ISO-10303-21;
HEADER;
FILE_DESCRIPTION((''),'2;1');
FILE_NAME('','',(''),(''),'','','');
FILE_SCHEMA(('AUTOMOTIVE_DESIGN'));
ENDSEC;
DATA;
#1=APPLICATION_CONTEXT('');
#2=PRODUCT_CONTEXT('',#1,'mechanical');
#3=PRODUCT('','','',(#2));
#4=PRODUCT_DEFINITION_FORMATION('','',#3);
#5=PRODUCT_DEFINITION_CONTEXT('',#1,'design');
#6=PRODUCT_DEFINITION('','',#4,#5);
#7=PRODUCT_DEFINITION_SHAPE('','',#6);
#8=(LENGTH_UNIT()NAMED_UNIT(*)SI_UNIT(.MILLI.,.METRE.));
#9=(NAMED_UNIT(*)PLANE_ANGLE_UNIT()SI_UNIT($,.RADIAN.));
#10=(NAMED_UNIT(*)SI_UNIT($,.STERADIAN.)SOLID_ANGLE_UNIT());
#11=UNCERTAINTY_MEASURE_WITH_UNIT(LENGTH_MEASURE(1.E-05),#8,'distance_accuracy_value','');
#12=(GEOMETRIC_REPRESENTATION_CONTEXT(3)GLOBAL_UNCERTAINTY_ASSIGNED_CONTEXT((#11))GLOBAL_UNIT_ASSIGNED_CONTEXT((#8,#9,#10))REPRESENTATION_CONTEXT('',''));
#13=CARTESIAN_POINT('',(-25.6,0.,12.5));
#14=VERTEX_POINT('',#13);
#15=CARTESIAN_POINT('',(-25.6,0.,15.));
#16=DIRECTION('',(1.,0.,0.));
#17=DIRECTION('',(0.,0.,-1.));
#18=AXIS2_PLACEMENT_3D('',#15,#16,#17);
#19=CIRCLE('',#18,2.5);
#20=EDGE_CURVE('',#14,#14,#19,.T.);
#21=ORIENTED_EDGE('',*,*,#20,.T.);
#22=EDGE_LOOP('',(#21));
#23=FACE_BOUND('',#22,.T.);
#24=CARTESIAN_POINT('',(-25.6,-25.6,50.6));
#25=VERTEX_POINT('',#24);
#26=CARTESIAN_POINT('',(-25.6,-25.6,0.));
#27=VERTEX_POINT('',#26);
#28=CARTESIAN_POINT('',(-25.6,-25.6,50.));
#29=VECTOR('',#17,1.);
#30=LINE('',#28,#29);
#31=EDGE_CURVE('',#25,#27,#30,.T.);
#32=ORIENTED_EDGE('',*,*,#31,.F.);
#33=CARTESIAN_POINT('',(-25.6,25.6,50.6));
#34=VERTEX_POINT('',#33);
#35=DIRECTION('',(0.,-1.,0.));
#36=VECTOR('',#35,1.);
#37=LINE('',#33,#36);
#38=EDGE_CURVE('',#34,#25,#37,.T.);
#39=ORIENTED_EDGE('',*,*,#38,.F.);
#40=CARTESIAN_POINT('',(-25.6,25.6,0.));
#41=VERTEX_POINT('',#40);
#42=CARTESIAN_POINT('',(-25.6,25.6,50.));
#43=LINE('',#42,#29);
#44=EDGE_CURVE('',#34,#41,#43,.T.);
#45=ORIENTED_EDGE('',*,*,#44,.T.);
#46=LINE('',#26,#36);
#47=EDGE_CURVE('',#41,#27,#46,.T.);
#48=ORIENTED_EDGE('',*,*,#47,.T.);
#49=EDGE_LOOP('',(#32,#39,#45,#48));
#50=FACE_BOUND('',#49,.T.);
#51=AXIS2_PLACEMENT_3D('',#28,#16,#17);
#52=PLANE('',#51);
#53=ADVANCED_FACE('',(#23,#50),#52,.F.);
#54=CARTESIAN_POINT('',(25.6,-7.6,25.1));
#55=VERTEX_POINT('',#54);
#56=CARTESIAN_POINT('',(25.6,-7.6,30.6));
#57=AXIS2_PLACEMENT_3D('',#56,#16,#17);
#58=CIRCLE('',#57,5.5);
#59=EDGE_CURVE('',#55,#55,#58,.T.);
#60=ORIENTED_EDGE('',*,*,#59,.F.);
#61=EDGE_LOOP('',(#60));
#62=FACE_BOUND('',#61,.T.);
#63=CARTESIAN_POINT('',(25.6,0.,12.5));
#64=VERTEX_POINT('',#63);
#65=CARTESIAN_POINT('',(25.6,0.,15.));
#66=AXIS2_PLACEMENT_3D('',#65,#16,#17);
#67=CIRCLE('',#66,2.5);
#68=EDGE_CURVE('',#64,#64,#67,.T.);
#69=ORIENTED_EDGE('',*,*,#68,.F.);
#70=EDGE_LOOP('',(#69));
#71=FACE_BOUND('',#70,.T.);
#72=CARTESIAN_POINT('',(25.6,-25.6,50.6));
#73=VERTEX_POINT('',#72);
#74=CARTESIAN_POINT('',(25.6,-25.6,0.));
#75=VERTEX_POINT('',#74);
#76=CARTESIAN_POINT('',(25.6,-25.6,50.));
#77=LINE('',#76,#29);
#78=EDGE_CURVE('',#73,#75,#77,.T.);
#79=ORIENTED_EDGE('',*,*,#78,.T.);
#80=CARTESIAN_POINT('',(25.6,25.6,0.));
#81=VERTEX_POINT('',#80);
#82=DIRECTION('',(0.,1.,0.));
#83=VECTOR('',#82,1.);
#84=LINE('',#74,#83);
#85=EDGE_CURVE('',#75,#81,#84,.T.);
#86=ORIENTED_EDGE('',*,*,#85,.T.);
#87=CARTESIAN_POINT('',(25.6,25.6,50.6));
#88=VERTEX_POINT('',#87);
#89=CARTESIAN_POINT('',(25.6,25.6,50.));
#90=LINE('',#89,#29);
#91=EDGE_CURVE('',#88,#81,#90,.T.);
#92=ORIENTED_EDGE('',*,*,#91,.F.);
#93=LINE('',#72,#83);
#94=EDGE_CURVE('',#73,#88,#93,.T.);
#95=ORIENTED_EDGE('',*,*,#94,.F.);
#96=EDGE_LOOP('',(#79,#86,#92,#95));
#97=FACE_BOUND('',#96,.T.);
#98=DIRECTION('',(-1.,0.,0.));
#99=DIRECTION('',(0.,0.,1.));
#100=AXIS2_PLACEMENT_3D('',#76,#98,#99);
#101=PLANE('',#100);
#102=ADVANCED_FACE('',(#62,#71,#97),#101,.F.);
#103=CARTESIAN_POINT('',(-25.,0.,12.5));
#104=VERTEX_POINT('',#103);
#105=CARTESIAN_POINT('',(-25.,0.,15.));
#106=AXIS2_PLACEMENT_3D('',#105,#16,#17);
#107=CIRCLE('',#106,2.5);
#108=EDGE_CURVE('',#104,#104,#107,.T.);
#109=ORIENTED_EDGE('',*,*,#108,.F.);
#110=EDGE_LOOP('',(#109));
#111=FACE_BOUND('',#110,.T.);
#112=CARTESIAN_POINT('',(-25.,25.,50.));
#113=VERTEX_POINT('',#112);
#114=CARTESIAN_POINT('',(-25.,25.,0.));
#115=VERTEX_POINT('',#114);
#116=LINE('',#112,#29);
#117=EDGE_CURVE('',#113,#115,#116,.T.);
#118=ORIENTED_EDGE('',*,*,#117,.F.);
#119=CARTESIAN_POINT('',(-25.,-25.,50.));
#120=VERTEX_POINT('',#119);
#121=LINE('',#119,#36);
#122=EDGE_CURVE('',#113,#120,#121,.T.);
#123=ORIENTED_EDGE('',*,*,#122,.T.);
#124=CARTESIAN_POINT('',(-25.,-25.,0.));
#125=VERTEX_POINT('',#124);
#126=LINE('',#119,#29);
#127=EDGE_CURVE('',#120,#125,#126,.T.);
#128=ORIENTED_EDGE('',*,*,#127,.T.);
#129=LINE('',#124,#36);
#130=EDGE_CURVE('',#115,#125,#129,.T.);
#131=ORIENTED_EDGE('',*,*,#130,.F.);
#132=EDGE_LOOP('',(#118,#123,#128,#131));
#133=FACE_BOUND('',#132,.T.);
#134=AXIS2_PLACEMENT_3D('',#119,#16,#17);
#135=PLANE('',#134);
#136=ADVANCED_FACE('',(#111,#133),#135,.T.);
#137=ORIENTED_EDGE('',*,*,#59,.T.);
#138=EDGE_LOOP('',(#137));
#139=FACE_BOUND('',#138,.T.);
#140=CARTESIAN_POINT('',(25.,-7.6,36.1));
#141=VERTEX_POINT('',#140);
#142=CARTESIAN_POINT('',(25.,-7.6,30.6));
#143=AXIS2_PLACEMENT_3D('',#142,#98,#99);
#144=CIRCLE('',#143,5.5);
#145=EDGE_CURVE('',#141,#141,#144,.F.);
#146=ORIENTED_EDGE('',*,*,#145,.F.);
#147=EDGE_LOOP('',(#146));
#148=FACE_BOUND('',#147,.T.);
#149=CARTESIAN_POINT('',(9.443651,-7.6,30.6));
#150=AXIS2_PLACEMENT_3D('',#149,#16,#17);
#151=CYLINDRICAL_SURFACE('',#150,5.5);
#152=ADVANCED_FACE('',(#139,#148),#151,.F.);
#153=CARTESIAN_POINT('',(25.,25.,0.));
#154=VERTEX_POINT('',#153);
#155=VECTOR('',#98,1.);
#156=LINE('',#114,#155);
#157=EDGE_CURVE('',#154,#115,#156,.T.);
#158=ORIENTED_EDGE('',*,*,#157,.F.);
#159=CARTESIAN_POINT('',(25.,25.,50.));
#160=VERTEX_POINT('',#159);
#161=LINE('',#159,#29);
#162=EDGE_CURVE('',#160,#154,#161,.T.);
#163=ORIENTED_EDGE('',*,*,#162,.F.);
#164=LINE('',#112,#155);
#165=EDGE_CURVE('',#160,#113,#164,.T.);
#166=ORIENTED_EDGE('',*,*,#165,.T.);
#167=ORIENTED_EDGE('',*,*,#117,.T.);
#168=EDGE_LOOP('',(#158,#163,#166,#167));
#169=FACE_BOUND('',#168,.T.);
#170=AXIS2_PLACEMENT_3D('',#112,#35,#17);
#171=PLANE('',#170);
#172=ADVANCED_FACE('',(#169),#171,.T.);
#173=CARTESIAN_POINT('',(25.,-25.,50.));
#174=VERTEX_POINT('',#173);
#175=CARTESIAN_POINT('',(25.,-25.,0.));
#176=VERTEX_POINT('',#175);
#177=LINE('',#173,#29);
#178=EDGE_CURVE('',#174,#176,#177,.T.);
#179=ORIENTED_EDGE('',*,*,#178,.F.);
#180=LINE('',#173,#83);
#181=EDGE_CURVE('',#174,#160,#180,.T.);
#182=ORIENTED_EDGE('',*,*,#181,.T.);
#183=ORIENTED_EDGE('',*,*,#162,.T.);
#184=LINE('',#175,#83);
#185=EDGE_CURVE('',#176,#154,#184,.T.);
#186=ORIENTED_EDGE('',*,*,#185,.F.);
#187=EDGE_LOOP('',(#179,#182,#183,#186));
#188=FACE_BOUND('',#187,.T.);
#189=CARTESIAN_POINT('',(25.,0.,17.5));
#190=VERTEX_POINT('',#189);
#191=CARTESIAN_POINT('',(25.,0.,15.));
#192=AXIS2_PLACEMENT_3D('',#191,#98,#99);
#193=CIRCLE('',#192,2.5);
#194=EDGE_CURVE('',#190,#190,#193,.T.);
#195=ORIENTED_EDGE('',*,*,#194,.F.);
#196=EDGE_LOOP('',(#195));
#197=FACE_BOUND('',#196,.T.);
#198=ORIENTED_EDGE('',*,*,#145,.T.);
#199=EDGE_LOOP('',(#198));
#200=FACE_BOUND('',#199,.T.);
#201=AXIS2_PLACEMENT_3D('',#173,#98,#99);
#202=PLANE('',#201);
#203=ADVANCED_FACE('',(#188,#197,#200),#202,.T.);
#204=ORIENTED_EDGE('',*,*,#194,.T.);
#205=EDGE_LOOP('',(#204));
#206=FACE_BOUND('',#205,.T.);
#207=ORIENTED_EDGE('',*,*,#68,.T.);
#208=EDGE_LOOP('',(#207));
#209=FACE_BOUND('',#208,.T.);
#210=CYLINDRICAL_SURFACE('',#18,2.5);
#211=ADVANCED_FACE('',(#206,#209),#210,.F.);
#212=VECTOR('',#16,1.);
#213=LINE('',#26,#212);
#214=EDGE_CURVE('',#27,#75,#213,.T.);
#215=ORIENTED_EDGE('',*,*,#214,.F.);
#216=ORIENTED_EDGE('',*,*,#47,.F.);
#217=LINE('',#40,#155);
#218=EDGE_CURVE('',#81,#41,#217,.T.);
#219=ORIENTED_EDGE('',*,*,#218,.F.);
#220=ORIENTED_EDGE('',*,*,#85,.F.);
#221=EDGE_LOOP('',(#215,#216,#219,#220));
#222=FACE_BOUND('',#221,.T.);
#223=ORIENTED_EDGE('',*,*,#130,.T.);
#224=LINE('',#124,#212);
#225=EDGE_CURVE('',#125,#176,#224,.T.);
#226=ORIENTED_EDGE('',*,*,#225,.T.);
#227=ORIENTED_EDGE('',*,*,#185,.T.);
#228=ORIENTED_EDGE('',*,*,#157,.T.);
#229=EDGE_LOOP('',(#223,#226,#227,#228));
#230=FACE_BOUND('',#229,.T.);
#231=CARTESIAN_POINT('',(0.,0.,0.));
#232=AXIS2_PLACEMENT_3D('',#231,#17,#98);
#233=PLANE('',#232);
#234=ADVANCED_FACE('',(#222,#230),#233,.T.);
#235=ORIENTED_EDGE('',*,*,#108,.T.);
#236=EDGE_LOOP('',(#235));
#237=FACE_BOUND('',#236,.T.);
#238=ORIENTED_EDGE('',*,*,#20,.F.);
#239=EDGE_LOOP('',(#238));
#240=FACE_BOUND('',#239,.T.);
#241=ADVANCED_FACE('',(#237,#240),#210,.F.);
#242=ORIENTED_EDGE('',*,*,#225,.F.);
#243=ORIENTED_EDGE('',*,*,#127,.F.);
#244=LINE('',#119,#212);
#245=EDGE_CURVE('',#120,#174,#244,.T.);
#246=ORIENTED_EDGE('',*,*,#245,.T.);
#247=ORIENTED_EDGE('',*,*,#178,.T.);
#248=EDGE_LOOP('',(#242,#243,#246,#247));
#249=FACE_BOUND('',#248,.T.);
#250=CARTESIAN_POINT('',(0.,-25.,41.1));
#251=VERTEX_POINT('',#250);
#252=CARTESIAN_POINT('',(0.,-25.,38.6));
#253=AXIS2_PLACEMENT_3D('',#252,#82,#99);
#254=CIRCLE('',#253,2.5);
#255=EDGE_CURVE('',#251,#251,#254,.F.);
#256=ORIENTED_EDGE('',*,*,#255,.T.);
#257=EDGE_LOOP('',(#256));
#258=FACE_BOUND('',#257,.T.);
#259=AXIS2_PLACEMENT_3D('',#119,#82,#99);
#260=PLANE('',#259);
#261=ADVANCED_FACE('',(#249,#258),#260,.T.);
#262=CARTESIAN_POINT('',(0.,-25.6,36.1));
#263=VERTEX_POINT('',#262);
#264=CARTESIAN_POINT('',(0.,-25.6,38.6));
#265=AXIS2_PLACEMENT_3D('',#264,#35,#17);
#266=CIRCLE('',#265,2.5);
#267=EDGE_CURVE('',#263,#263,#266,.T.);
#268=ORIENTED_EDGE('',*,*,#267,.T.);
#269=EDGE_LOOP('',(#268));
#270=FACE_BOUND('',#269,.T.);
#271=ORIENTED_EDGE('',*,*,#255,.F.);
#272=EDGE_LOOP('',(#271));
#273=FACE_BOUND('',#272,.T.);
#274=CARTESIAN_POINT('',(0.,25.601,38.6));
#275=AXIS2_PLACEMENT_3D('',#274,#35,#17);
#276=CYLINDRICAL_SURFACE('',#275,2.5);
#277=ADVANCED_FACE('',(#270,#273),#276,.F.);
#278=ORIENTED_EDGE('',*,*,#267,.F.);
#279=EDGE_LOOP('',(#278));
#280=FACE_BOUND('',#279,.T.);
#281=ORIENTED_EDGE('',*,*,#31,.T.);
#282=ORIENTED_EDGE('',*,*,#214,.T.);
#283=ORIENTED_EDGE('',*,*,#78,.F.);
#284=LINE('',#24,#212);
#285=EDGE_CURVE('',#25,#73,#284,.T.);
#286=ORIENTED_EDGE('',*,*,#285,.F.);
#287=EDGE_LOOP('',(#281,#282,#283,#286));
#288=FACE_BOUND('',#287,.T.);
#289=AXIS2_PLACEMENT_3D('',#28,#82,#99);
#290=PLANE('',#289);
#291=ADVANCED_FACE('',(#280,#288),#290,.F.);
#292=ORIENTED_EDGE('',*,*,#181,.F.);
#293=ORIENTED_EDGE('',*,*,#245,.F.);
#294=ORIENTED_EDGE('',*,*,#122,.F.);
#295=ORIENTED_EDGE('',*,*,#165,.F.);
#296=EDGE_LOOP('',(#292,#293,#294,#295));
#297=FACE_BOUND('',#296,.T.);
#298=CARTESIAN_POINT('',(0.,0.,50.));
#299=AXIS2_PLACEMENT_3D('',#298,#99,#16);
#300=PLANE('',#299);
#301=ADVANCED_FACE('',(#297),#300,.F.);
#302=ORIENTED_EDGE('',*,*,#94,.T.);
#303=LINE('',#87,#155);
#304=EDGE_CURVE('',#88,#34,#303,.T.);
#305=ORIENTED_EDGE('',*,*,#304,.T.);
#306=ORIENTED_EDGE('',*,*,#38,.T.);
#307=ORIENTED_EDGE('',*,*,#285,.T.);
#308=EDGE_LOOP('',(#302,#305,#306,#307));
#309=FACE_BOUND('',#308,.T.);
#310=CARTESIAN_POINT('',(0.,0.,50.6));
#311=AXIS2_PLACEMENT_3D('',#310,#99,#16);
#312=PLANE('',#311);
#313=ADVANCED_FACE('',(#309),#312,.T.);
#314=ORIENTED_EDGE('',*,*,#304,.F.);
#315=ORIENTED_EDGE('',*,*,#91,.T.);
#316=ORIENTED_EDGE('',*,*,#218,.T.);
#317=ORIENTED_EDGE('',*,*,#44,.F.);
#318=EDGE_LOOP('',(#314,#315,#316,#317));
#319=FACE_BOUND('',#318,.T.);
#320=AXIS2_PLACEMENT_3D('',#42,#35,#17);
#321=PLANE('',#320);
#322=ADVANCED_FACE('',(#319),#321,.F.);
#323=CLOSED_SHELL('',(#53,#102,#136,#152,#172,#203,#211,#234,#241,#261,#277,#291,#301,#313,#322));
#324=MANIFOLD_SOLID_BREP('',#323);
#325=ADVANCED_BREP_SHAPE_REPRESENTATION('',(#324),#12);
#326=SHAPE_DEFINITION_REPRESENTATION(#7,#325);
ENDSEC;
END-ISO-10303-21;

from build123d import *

# Parameters (mm, degrees)
ESBO_O1_W                = 51.2
ESBO_O1_H                = 51.2
ESBO_O1_W_2              = 50
ESBO_O1_H_2              = 50
RESSALTO_EXTRUS_O1_DEPTH = 50
ESBO_O2_W                = 51.2
ESBO_O2_H                = 51.2
RESSALTO_EXTRUS_O2_DEPTH = 0.6
ESBO_O3_R                = 5.5
CORTE_EXTRUS_O1_DEPTH    = 0.6
ESBO_O4_R                = 2.5
CORTE_EXTRUS_O2_DEPTH    = 77.401308889
CORTE_EXTRUS_O3_REACH    = 78.401
ESBO_O5_R                = 2.5


with BuildPart() as part:
    # Esboço1 → Ressalto-extrusão1 (new body)
    with BuildSketch(Plane.XY):
        Rectangle(ESBO_O1_W, ESBO_O1_H)
        Rectangle(ESBO_O1_W_2, ESBO_O1_H_2, mode=Mode.SUBTRACT)
    extrude(amount=RESSALTO_EXTRUS_O1_DEPTH)

    # Esboço2 → Ressalto-extrusão2 (add)
    with BuildSketch(Plane.XY.offset(50)):
        Rectangle(ESBO_O2_W, ESBO_O2_H)
    extrude(amount=RESSALTO_EXTRUS_O2_DEPTH)

    # Esboço3 → Corte-extrusão1 (cut)
    with BuildSketch(Plane(origin=(25.6, 0, 0), x_dir=(0, 0, -1), z_dir=(1, 0, 0))):
        with Locations((-30.6, -7.6)):
            Circle(ESBO_O3_R)
    extrude(amount=-CORTE_EXTRUS_O1_DEPTH, mode=Mode.SUBTRACT)

    # Esboço4 → Corte-extrusão2 (cut, through all)
    with BuildSketch(Plane(origin=(25.6, 0, 0), x_dir=(0, 0, -1), z_dir=(1, 0, 0))):
        with Locations((-15, 0)):
            Circle(ESBO_O4_R)
    extrude(amount=-CORTE_EXTRUS_O2_DEPTH, mode=Mode.SUBTRACT)

    # Esboço5 → Corte-extrusão3 (cut, up to next)
    with BuildSketch(Plane.XZ.offset(25.6), mode=Mode.PRIVATE) as corte_extrus_o3_sk1:
        with Locations(Location((0, 38.6, 0), (0, 0, 270))):
            Circle(ESBO_O5_R)
    corte_extrus_o3_tool1 = extrude(corte_extrus_o3_sk1.sketch, amount=-CORTE_EXTRUS_O3_REACH, mode=Mode.PRIVATE) & part.part
    add(corte_extrus_o3_tool1.solids().sort_by_distance((0, -25.6, 38.6))[0], mode=Mode.SUBTRACT)


solid = part.part
